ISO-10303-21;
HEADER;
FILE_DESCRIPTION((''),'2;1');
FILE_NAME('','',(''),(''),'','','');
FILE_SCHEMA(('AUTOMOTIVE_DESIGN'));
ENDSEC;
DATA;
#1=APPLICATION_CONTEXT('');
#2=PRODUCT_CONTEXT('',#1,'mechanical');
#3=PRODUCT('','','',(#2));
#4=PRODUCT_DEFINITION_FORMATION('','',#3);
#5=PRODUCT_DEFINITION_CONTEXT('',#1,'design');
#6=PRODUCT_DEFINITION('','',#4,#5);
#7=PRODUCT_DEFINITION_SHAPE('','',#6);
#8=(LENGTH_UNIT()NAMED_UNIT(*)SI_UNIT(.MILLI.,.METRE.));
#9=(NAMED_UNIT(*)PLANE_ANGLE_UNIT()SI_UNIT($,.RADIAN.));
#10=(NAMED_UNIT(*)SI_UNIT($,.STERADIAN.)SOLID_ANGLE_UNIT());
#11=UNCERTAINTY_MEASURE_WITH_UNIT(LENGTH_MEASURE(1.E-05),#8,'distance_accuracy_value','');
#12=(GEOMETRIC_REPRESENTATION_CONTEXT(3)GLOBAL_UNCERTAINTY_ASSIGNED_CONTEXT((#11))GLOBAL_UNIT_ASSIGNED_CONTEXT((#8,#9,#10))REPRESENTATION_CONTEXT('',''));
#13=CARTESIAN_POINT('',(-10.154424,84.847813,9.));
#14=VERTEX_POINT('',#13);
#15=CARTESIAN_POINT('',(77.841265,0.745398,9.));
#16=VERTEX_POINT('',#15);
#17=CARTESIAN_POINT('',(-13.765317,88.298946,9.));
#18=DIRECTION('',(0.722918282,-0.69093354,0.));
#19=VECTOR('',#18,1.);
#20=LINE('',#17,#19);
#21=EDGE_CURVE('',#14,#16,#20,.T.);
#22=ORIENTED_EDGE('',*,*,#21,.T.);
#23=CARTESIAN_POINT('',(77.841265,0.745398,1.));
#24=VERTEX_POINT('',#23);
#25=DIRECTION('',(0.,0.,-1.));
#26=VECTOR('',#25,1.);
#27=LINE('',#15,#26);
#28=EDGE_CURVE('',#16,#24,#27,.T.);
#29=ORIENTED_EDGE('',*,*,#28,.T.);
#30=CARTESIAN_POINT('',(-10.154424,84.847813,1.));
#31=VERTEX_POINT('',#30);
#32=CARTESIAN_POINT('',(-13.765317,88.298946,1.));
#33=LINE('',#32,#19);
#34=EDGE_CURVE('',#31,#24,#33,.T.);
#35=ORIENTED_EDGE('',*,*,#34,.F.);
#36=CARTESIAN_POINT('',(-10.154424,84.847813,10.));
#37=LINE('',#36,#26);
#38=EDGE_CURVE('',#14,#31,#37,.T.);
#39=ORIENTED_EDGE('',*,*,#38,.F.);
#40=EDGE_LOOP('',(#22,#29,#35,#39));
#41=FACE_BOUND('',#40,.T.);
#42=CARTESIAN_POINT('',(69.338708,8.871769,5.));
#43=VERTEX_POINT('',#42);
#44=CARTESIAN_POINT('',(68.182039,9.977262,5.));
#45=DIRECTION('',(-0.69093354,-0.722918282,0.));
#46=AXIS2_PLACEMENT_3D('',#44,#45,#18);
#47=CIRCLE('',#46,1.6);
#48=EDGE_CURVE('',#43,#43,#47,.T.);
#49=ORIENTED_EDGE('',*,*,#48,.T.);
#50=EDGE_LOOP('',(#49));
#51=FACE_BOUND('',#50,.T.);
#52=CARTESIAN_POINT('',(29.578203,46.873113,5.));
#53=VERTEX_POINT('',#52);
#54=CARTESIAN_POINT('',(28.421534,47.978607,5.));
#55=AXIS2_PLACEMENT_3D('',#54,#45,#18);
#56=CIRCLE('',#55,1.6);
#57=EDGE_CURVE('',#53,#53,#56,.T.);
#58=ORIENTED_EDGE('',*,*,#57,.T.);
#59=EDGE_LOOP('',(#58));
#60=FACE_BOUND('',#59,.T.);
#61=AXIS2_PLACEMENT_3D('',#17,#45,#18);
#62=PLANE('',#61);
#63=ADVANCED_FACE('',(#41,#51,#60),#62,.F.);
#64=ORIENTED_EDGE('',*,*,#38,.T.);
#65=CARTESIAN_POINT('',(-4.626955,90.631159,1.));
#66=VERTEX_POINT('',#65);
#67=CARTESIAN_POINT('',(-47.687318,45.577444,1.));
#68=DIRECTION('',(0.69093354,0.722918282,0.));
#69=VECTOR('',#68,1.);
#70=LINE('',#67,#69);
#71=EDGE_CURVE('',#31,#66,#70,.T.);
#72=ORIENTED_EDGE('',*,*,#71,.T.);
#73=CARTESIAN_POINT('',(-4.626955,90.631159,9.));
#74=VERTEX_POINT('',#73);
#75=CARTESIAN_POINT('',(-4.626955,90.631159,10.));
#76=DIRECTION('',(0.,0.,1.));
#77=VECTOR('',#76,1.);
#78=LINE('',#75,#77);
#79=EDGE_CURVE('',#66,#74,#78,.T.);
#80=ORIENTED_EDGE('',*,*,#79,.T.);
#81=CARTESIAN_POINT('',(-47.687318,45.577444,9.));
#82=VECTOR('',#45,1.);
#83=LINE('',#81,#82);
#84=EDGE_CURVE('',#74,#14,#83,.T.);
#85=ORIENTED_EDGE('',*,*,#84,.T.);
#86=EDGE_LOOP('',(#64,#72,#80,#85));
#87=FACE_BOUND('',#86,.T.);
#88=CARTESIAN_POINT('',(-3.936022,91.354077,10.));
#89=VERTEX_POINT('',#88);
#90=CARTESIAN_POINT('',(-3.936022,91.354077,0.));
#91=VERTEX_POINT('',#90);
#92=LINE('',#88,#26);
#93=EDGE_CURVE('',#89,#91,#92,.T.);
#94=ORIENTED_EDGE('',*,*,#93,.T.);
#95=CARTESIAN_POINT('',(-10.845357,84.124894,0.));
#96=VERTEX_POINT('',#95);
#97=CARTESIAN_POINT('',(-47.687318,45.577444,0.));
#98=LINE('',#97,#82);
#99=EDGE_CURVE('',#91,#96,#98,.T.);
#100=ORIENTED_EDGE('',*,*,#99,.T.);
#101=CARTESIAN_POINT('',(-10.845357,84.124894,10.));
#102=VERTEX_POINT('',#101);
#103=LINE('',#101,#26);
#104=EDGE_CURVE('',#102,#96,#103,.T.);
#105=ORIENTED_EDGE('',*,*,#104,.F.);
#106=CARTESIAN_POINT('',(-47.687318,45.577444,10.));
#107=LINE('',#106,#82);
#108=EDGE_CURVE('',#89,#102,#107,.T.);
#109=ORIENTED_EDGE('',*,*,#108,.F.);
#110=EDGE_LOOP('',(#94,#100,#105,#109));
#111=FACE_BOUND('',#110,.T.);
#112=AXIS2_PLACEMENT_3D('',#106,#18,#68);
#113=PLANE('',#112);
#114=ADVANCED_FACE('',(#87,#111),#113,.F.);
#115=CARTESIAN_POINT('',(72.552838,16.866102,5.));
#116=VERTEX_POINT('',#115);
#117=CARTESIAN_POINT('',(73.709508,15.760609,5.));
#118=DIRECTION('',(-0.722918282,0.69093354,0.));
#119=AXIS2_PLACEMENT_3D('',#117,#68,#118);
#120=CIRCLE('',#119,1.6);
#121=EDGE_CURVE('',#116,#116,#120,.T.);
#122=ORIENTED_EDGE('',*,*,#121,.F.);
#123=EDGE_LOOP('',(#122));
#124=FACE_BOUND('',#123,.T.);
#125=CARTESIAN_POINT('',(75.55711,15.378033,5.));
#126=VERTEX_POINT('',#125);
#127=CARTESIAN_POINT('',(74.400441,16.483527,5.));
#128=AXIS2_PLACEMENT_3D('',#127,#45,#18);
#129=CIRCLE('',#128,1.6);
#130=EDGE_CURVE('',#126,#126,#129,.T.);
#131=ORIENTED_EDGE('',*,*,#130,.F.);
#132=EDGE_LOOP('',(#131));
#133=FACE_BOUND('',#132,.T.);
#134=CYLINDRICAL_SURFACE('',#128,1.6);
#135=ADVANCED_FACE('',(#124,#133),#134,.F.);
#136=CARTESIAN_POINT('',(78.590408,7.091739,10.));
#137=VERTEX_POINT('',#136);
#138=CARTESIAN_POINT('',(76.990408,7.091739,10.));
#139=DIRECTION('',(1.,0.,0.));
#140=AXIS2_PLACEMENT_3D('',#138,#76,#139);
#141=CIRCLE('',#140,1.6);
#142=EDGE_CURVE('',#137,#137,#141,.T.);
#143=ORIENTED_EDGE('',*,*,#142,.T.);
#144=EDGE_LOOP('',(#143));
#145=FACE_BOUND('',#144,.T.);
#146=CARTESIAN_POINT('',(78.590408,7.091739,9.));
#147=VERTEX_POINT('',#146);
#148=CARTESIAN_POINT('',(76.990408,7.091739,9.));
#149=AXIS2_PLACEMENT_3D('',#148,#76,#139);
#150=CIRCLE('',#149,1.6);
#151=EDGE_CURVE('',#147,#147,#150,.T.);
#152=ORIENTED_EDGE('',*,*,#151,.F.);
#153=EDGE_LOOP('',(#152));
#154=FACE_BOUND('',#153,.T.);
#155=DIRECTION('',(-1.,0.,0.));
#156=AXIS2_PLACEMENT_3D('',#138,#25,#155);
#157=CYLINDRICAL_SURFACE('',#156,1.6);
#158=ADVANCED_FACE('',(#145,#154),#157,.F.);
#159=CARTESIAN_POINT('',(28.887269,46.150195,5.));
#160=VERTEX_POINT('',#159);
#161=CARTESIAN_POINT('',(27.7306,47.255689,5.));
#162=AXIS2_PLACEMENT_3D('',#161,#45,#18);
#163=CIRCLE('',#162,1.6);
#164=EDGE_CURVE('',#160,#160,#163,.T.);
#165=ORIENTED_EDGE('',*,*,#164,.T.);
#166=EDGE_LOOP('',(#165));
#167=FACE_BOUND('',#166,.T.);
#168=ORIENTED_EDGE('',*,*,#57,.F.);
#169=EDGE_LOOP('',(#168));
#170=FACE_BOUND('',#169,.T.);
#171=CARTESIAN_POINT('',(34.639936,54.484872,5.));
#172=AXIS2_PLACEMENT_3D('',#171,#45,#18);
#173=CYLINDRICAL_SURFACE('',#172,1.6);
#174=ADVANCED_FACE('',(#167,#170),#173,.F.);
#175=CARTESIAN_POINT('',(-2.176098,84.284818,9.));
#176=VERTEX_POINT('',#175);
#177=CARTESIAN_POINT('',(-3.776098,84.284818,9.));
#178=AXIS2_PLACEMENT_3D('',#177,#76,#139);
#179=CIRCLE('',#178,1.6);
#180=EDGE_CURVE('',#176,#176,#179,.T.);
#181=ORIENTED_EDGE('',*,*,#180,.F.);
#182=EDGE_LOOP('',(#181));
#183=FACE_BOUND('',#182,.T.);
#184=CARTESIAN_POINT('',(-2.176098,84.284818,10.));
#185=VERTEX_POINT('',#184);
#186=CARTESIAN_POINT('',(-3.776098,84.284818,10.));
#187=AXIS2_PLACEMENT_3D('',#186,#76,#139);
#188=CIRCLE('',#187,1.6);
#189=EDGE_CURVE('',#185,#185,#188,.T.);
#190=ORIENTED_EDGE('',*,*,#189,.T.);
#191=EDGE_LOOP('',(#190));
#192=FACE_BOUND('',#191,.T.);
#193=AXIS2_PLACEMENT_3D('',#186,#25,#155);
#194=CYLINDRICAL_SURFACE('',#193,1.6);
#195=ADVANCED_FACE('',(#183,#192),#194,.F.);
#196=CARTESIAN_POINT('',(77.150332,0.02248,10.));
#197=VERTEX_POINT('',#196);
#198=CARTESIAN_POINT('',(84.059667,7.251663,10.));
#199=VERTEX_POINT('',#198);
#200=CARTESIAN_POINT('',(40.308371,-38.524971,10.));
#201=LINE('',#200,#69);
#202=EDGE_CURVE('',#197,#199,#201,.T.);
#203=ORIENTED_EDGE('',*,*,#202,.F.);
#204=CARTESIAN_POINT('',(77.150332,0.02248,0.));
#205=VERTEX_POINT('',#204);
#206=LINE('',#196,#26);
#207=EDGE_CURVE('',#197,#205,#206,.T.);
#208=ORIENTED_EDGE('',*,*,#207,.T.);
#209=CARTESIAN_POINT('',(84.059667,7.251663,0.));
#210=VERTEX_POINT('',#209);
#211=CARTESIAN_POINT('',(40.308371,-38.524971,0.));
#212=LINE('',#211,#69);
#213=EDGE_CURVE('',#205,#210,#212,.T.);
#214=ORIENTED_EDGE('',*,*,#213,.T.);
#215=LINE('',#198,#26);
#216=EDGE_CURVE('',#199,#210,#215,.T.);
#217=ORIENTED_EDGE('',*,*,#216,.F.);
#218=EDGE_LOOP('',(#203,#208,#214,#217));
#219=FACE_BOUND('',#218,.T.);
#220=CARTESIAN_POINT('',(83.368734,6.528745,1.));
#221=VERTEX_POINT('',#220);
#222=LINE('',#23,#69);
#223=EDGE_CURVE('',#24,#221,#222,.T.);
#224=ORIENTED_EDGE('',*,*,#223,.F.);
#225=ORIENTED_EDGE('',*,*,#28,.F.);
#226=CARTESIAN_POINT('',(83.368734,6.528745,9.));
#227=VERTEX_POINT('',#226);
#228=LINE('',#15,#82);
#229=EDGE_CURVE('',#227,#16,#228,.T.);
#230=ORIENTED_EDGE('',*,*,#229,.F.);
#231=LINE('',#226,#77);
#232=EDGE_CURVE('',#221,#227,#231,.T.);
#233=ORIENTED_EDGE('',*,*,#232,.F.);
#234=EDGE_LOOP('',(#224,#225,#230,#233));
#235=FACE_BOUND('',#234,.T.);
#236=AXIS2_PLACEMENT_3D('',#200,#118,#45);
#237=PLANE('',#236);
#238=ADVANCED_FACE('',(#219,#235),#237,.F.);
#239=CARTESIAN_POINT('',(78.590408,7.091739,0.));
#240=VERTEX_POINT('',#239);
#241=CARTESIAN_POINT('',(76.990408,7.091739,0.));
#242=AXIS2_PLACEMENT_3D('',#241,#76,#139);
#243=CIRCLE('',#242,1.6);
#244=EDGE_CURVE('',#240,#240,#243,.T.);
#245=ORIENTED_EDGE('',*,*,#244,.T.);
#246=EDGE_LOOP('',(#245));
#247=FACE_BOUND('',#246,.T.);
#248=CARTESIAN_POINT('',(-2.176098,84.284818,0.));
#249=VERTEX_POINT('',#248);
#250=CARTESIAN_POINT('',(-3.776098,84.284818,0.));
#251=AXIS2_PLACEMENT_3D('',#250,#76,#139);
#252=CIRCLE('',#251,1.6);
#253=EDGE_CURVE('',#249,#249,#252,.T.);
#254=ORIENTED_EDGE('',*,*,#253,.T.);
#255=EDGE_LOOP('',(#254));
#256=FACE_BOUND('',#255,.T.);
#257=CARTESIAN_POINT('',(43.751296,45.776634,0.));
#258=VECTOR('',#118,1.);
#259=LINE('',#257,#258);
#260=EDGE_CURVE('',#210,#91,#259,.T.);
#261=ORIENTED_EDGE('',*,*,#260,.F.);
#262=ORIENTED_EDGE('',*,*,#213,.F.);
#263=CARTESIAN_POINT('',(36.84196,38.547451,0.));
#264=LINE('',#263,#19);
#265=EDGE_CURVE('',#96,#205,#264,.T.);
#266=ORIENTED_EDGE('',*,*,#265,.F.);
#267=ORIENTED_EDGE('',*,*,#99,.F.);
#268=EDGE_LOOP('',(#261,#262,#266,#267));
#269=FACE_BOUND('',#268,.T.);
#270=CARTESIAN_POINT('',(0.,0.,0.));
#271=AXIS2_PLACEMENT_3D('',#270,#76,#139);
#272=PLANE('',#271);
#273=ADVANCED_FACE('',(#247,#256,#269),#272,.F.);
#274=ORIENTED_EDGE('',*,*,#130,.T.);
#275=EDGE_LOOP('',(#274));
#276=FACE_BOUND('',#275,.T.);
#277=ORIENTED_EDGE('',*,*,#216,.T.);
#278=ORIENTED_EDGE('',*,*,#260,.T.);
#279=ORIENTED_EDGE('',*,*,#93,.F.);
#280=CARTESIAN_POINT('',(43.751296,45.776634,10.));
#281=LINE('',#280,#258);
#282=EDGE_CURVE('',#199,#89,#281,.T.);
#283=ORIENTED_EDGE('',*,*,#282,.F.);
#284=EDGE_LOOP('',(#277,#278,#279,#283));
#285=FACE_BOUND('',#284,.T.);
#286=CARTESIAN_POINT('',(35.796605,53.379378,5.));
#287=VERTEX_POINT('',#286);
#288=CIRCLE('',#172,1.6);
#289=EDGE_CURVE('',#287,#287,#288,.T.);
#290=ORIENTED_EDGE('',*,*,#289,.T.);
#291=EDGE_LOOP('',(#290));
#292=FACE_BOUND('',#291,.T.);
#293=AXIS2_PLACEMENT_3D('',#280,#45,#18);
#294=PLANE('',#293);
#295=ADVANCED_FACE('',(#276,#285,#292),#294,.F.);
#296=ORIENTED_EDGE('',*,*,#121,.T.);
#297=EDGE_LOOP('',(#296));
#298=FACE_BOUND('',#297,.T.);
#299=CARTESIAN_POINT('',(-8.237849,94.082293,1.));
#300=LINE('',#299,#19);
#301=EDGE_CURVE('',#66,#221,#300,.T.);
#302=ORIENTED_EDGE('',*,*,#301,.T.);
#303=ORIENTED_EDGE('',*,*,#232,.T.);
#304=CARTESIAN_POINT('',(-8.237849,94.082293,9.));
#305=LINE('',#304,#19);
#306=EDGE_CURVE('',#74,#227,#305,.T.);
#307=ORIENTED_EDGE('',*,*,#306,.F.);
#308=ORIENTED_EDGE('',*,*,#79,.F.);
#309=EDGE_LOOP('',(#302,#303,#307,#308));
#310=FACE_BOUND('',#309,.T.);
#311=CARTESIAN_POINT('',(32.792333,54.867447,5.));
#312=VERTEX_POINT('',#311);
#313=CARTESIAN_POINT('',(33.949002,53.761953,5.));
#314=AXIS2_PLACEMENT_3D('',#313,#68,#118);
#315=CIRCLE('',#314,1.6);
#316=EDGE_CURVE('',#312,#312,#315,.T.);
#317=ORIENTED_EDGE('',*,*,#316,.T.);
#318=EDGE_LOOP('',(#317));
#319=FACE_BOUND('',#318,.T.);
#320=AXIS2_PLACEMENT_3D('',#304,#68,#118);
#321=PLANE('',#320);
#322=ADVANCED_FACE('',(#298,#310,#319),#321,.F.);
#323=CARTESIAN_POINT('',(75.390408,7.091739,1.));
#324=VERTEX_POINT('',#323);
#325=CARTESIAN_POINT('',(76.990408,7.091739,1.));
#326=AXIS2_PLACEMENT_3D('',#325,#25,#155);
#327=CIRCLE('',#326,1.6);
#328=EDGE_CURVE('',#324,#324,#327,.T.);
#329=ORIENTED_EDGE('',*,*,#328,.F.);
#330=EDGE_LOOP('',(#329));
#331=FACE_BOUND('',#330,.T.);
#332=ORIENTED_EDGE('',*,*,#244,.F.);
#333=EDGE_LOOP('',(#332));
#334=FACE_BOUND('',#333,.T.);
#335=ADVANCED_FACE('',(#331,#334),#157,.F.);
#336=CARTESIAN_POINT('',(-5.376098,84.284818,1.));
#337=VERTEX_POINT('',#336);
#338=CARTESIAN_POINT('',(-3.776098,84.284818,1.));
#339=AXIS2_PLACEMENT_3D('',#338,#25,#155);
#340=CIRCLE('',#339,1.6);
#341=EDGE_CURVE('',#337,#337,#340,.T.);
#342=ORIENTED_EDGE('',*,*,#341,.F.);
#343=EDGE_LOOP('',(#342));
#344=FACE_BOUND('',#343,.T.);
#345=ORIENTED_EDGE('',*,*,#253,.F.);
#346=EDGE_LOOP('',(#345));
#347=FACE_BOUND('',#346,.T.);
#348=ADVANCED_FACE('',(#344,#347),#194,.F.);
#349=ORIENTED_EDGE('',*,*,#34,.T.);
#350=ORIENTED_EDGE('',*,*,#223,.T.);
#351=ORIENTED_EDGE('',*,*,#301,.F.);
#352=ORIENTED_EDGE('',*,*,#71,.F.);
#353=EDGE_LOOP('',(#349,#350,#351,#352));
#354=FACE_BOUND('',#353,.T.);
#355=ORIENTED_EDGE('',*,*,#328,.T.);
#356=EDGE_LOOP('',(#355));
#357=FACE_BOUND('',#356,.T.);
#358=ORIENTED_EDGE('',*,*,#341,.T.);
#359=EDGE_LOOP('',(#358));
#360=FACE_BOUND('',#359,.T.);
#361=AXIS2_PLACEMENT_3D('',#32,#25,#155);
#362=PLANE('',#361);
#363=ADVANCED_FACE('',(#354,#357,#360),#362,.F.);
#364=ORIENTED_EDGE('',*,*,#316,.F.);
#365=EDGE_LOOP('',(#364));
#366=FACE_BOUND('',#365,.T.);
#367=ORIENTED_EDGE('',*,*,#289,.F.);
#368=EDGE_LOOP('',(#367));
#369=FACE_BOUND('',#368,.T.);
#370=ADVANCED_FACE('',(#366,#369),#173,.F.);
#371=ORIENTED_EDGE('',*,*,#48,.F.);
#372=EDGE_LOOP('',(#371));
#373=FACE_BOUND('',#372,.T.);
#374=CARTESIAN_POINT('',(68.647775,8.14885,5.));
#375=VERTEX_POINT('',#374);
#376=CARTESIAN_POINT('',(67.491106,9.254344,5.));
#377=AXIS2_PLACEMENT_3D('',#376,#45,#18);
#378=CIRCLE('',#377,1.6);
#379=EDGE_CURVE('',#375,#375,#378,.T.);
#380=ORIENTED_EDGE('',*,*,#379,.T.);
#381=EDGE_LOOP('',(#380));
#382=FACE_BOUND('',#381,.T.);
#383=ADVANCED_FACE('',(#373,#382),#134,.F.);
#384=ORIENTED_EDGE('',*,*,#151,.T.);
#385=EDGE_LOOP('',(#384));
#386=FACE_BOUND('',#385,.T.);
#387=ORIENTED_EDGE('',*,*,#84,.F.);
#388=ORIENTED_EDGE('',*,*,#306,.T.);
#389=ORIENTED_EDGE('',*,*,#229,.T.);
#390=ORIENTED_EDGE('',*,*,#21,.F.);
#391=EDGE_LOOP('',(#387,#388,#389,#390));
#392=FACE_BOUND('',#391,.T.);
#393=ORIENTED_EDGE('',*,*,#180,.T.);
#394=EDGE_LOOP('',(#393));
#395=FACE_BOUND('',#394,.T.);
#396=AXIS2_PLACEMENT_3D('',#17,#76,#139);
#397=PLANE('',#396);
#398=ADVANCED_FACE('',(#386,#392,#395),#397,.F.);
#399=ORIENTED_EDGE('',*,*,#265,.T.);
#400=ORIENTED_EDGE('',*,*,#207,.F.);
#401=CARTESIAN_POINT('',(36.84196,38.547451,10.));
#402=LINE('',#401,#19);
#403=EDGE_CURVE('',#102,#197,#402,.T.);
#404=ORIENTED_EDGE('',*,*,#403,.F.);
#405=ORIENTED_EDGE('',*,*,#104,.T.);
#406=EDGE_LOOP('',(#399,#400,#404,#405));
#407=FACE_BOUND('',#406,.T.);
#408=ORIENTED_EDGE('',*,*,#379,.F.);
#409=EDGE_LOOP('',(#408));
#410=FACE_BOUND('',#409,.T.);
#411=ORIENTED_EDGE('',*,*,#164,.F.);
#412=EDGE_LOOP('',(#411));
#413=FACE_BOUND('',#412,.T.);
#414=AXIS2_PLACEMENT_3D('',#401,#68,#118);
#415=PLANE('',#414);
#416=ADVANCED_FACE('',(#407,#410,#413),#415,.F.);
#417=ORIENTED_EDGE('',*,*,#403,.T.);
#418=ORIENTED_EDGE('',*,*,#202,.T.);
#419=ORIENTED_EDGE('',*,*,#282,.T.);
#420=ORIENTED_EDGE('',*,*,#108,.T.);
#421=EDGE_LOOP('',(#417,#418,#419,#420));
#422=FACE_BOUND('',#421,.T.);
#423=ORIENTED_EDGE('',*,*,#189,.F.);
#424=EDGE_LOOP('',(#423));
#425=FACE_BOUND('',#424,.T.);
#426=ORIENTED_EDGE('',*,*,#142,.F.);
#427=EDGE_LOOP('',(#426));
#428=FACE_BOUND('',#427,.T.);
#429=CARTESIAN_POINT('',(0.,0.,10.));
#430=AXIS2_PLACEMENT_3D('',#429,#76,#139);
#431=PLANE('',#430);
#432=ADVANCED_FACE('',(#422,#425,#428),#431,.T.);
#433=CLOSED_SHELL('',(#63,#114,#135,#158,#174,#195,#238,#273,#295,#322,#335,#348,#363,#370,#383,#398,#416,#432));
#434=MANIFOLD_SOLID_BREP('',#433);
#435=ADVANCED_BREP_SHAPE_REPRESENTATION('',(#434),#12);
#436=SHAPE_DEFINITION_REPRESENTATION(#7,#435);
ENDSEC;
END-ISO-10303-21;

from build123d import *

# Parameters (mm, degrees)
SKETCH_2_R          = 1.6
EXTRUDE_1_DEPTH     = 10
SKETCH_3_W          = 8
SKETCH_3_H          = 8
CUT_EXTRUDE_1_DEPTH = 140.947387002
CUT_EXTRUDE_3_DEPTH = 10


with BuildPart() as part:
    # ｽｹｯﾁ2 → ﾎﾞｽ - 押し出し1 (new body)
    with BuildSketch(Plane.XY):
        Polygon((83.071643169, 8.195972832), (-3.936021884, 91.354077293), (-10.845357286, 84.124894469), (77.150331852, 0.022479987), (84.059667254, 7.25166281), align=None)
        with Locations((-3.776098173, 84.28481818)):
            Circle(SKETCH_2_R, mode=Mode.SUBTRACT)
        with Locations((76.990408141, 7.0917391)):
            Circle(SKETCH_2_R, mode=Mode.SUBTRACT)
    extrude(amount=EXTRUDE_1_DEPTH)

    # ｽｹｯﾁ3 → ｶｯﾄ - 押し出し1 (cut, through all)
    with BuildSketch(Plane(origin=(40.308371471, -38.524970914, 0), x_dir=(0, 0, -1), z_dir=(0.7229182823698357, -0.690933540230496, 0))):
        with Locations((-5, 58.32200311)):
            Rectangle(SKETCH_3_W, SKETCH_3_H)
    extrude(amount=-CUT_EXTRUDE_1_DEPTH, mode=Mode.SUBTRACT)

    # ｽｹｯﾁ5 → ｶｯﾄ - 押し出し3 (cut)
    with BuildSketch(Plane(origin=(36.841960381, 38.5474509, 0), x_dir=(0.7229182823698362, -0.6909335402304956, 0), z_dir=(-0.6909335402304956, -0.7229182823698362, 0))):
        with BuildLine():
            ThreePointArc((-11.003582504, 5), (-12.603582504, 6.6), (-14.203582504, 5))
            Line((-14.203582504, 5), (-11.003582504, 5))
        make_face()
        with BuildLine():
            Line((-11.003582504, 5), (-14.203582504, 5))
            ThreePointArc((-14.203582504, 5), (-12.603582504, 3.4), (-11.003582504, 5))
        make_face()
        with BuildLine():
            ThreePointArc((43.996417496, 5), (42.396417496, 6.6), (40.796417496, 5))
            Line((40.796417496, 5), (43.996417496, 5))
        make_face()
        with BuildLine():
            Line((43.996417496, 5), (40.796417496, 5))
            ThreePointArc((40.796417496, 5), (42.396417496, 3.4), (43.996417496, 5))
        make_face()
    extrude(amount=-CUT_EXTRUDE_3_DEPTH, mode=Mode.SUBTRACT)


solid = part.part
